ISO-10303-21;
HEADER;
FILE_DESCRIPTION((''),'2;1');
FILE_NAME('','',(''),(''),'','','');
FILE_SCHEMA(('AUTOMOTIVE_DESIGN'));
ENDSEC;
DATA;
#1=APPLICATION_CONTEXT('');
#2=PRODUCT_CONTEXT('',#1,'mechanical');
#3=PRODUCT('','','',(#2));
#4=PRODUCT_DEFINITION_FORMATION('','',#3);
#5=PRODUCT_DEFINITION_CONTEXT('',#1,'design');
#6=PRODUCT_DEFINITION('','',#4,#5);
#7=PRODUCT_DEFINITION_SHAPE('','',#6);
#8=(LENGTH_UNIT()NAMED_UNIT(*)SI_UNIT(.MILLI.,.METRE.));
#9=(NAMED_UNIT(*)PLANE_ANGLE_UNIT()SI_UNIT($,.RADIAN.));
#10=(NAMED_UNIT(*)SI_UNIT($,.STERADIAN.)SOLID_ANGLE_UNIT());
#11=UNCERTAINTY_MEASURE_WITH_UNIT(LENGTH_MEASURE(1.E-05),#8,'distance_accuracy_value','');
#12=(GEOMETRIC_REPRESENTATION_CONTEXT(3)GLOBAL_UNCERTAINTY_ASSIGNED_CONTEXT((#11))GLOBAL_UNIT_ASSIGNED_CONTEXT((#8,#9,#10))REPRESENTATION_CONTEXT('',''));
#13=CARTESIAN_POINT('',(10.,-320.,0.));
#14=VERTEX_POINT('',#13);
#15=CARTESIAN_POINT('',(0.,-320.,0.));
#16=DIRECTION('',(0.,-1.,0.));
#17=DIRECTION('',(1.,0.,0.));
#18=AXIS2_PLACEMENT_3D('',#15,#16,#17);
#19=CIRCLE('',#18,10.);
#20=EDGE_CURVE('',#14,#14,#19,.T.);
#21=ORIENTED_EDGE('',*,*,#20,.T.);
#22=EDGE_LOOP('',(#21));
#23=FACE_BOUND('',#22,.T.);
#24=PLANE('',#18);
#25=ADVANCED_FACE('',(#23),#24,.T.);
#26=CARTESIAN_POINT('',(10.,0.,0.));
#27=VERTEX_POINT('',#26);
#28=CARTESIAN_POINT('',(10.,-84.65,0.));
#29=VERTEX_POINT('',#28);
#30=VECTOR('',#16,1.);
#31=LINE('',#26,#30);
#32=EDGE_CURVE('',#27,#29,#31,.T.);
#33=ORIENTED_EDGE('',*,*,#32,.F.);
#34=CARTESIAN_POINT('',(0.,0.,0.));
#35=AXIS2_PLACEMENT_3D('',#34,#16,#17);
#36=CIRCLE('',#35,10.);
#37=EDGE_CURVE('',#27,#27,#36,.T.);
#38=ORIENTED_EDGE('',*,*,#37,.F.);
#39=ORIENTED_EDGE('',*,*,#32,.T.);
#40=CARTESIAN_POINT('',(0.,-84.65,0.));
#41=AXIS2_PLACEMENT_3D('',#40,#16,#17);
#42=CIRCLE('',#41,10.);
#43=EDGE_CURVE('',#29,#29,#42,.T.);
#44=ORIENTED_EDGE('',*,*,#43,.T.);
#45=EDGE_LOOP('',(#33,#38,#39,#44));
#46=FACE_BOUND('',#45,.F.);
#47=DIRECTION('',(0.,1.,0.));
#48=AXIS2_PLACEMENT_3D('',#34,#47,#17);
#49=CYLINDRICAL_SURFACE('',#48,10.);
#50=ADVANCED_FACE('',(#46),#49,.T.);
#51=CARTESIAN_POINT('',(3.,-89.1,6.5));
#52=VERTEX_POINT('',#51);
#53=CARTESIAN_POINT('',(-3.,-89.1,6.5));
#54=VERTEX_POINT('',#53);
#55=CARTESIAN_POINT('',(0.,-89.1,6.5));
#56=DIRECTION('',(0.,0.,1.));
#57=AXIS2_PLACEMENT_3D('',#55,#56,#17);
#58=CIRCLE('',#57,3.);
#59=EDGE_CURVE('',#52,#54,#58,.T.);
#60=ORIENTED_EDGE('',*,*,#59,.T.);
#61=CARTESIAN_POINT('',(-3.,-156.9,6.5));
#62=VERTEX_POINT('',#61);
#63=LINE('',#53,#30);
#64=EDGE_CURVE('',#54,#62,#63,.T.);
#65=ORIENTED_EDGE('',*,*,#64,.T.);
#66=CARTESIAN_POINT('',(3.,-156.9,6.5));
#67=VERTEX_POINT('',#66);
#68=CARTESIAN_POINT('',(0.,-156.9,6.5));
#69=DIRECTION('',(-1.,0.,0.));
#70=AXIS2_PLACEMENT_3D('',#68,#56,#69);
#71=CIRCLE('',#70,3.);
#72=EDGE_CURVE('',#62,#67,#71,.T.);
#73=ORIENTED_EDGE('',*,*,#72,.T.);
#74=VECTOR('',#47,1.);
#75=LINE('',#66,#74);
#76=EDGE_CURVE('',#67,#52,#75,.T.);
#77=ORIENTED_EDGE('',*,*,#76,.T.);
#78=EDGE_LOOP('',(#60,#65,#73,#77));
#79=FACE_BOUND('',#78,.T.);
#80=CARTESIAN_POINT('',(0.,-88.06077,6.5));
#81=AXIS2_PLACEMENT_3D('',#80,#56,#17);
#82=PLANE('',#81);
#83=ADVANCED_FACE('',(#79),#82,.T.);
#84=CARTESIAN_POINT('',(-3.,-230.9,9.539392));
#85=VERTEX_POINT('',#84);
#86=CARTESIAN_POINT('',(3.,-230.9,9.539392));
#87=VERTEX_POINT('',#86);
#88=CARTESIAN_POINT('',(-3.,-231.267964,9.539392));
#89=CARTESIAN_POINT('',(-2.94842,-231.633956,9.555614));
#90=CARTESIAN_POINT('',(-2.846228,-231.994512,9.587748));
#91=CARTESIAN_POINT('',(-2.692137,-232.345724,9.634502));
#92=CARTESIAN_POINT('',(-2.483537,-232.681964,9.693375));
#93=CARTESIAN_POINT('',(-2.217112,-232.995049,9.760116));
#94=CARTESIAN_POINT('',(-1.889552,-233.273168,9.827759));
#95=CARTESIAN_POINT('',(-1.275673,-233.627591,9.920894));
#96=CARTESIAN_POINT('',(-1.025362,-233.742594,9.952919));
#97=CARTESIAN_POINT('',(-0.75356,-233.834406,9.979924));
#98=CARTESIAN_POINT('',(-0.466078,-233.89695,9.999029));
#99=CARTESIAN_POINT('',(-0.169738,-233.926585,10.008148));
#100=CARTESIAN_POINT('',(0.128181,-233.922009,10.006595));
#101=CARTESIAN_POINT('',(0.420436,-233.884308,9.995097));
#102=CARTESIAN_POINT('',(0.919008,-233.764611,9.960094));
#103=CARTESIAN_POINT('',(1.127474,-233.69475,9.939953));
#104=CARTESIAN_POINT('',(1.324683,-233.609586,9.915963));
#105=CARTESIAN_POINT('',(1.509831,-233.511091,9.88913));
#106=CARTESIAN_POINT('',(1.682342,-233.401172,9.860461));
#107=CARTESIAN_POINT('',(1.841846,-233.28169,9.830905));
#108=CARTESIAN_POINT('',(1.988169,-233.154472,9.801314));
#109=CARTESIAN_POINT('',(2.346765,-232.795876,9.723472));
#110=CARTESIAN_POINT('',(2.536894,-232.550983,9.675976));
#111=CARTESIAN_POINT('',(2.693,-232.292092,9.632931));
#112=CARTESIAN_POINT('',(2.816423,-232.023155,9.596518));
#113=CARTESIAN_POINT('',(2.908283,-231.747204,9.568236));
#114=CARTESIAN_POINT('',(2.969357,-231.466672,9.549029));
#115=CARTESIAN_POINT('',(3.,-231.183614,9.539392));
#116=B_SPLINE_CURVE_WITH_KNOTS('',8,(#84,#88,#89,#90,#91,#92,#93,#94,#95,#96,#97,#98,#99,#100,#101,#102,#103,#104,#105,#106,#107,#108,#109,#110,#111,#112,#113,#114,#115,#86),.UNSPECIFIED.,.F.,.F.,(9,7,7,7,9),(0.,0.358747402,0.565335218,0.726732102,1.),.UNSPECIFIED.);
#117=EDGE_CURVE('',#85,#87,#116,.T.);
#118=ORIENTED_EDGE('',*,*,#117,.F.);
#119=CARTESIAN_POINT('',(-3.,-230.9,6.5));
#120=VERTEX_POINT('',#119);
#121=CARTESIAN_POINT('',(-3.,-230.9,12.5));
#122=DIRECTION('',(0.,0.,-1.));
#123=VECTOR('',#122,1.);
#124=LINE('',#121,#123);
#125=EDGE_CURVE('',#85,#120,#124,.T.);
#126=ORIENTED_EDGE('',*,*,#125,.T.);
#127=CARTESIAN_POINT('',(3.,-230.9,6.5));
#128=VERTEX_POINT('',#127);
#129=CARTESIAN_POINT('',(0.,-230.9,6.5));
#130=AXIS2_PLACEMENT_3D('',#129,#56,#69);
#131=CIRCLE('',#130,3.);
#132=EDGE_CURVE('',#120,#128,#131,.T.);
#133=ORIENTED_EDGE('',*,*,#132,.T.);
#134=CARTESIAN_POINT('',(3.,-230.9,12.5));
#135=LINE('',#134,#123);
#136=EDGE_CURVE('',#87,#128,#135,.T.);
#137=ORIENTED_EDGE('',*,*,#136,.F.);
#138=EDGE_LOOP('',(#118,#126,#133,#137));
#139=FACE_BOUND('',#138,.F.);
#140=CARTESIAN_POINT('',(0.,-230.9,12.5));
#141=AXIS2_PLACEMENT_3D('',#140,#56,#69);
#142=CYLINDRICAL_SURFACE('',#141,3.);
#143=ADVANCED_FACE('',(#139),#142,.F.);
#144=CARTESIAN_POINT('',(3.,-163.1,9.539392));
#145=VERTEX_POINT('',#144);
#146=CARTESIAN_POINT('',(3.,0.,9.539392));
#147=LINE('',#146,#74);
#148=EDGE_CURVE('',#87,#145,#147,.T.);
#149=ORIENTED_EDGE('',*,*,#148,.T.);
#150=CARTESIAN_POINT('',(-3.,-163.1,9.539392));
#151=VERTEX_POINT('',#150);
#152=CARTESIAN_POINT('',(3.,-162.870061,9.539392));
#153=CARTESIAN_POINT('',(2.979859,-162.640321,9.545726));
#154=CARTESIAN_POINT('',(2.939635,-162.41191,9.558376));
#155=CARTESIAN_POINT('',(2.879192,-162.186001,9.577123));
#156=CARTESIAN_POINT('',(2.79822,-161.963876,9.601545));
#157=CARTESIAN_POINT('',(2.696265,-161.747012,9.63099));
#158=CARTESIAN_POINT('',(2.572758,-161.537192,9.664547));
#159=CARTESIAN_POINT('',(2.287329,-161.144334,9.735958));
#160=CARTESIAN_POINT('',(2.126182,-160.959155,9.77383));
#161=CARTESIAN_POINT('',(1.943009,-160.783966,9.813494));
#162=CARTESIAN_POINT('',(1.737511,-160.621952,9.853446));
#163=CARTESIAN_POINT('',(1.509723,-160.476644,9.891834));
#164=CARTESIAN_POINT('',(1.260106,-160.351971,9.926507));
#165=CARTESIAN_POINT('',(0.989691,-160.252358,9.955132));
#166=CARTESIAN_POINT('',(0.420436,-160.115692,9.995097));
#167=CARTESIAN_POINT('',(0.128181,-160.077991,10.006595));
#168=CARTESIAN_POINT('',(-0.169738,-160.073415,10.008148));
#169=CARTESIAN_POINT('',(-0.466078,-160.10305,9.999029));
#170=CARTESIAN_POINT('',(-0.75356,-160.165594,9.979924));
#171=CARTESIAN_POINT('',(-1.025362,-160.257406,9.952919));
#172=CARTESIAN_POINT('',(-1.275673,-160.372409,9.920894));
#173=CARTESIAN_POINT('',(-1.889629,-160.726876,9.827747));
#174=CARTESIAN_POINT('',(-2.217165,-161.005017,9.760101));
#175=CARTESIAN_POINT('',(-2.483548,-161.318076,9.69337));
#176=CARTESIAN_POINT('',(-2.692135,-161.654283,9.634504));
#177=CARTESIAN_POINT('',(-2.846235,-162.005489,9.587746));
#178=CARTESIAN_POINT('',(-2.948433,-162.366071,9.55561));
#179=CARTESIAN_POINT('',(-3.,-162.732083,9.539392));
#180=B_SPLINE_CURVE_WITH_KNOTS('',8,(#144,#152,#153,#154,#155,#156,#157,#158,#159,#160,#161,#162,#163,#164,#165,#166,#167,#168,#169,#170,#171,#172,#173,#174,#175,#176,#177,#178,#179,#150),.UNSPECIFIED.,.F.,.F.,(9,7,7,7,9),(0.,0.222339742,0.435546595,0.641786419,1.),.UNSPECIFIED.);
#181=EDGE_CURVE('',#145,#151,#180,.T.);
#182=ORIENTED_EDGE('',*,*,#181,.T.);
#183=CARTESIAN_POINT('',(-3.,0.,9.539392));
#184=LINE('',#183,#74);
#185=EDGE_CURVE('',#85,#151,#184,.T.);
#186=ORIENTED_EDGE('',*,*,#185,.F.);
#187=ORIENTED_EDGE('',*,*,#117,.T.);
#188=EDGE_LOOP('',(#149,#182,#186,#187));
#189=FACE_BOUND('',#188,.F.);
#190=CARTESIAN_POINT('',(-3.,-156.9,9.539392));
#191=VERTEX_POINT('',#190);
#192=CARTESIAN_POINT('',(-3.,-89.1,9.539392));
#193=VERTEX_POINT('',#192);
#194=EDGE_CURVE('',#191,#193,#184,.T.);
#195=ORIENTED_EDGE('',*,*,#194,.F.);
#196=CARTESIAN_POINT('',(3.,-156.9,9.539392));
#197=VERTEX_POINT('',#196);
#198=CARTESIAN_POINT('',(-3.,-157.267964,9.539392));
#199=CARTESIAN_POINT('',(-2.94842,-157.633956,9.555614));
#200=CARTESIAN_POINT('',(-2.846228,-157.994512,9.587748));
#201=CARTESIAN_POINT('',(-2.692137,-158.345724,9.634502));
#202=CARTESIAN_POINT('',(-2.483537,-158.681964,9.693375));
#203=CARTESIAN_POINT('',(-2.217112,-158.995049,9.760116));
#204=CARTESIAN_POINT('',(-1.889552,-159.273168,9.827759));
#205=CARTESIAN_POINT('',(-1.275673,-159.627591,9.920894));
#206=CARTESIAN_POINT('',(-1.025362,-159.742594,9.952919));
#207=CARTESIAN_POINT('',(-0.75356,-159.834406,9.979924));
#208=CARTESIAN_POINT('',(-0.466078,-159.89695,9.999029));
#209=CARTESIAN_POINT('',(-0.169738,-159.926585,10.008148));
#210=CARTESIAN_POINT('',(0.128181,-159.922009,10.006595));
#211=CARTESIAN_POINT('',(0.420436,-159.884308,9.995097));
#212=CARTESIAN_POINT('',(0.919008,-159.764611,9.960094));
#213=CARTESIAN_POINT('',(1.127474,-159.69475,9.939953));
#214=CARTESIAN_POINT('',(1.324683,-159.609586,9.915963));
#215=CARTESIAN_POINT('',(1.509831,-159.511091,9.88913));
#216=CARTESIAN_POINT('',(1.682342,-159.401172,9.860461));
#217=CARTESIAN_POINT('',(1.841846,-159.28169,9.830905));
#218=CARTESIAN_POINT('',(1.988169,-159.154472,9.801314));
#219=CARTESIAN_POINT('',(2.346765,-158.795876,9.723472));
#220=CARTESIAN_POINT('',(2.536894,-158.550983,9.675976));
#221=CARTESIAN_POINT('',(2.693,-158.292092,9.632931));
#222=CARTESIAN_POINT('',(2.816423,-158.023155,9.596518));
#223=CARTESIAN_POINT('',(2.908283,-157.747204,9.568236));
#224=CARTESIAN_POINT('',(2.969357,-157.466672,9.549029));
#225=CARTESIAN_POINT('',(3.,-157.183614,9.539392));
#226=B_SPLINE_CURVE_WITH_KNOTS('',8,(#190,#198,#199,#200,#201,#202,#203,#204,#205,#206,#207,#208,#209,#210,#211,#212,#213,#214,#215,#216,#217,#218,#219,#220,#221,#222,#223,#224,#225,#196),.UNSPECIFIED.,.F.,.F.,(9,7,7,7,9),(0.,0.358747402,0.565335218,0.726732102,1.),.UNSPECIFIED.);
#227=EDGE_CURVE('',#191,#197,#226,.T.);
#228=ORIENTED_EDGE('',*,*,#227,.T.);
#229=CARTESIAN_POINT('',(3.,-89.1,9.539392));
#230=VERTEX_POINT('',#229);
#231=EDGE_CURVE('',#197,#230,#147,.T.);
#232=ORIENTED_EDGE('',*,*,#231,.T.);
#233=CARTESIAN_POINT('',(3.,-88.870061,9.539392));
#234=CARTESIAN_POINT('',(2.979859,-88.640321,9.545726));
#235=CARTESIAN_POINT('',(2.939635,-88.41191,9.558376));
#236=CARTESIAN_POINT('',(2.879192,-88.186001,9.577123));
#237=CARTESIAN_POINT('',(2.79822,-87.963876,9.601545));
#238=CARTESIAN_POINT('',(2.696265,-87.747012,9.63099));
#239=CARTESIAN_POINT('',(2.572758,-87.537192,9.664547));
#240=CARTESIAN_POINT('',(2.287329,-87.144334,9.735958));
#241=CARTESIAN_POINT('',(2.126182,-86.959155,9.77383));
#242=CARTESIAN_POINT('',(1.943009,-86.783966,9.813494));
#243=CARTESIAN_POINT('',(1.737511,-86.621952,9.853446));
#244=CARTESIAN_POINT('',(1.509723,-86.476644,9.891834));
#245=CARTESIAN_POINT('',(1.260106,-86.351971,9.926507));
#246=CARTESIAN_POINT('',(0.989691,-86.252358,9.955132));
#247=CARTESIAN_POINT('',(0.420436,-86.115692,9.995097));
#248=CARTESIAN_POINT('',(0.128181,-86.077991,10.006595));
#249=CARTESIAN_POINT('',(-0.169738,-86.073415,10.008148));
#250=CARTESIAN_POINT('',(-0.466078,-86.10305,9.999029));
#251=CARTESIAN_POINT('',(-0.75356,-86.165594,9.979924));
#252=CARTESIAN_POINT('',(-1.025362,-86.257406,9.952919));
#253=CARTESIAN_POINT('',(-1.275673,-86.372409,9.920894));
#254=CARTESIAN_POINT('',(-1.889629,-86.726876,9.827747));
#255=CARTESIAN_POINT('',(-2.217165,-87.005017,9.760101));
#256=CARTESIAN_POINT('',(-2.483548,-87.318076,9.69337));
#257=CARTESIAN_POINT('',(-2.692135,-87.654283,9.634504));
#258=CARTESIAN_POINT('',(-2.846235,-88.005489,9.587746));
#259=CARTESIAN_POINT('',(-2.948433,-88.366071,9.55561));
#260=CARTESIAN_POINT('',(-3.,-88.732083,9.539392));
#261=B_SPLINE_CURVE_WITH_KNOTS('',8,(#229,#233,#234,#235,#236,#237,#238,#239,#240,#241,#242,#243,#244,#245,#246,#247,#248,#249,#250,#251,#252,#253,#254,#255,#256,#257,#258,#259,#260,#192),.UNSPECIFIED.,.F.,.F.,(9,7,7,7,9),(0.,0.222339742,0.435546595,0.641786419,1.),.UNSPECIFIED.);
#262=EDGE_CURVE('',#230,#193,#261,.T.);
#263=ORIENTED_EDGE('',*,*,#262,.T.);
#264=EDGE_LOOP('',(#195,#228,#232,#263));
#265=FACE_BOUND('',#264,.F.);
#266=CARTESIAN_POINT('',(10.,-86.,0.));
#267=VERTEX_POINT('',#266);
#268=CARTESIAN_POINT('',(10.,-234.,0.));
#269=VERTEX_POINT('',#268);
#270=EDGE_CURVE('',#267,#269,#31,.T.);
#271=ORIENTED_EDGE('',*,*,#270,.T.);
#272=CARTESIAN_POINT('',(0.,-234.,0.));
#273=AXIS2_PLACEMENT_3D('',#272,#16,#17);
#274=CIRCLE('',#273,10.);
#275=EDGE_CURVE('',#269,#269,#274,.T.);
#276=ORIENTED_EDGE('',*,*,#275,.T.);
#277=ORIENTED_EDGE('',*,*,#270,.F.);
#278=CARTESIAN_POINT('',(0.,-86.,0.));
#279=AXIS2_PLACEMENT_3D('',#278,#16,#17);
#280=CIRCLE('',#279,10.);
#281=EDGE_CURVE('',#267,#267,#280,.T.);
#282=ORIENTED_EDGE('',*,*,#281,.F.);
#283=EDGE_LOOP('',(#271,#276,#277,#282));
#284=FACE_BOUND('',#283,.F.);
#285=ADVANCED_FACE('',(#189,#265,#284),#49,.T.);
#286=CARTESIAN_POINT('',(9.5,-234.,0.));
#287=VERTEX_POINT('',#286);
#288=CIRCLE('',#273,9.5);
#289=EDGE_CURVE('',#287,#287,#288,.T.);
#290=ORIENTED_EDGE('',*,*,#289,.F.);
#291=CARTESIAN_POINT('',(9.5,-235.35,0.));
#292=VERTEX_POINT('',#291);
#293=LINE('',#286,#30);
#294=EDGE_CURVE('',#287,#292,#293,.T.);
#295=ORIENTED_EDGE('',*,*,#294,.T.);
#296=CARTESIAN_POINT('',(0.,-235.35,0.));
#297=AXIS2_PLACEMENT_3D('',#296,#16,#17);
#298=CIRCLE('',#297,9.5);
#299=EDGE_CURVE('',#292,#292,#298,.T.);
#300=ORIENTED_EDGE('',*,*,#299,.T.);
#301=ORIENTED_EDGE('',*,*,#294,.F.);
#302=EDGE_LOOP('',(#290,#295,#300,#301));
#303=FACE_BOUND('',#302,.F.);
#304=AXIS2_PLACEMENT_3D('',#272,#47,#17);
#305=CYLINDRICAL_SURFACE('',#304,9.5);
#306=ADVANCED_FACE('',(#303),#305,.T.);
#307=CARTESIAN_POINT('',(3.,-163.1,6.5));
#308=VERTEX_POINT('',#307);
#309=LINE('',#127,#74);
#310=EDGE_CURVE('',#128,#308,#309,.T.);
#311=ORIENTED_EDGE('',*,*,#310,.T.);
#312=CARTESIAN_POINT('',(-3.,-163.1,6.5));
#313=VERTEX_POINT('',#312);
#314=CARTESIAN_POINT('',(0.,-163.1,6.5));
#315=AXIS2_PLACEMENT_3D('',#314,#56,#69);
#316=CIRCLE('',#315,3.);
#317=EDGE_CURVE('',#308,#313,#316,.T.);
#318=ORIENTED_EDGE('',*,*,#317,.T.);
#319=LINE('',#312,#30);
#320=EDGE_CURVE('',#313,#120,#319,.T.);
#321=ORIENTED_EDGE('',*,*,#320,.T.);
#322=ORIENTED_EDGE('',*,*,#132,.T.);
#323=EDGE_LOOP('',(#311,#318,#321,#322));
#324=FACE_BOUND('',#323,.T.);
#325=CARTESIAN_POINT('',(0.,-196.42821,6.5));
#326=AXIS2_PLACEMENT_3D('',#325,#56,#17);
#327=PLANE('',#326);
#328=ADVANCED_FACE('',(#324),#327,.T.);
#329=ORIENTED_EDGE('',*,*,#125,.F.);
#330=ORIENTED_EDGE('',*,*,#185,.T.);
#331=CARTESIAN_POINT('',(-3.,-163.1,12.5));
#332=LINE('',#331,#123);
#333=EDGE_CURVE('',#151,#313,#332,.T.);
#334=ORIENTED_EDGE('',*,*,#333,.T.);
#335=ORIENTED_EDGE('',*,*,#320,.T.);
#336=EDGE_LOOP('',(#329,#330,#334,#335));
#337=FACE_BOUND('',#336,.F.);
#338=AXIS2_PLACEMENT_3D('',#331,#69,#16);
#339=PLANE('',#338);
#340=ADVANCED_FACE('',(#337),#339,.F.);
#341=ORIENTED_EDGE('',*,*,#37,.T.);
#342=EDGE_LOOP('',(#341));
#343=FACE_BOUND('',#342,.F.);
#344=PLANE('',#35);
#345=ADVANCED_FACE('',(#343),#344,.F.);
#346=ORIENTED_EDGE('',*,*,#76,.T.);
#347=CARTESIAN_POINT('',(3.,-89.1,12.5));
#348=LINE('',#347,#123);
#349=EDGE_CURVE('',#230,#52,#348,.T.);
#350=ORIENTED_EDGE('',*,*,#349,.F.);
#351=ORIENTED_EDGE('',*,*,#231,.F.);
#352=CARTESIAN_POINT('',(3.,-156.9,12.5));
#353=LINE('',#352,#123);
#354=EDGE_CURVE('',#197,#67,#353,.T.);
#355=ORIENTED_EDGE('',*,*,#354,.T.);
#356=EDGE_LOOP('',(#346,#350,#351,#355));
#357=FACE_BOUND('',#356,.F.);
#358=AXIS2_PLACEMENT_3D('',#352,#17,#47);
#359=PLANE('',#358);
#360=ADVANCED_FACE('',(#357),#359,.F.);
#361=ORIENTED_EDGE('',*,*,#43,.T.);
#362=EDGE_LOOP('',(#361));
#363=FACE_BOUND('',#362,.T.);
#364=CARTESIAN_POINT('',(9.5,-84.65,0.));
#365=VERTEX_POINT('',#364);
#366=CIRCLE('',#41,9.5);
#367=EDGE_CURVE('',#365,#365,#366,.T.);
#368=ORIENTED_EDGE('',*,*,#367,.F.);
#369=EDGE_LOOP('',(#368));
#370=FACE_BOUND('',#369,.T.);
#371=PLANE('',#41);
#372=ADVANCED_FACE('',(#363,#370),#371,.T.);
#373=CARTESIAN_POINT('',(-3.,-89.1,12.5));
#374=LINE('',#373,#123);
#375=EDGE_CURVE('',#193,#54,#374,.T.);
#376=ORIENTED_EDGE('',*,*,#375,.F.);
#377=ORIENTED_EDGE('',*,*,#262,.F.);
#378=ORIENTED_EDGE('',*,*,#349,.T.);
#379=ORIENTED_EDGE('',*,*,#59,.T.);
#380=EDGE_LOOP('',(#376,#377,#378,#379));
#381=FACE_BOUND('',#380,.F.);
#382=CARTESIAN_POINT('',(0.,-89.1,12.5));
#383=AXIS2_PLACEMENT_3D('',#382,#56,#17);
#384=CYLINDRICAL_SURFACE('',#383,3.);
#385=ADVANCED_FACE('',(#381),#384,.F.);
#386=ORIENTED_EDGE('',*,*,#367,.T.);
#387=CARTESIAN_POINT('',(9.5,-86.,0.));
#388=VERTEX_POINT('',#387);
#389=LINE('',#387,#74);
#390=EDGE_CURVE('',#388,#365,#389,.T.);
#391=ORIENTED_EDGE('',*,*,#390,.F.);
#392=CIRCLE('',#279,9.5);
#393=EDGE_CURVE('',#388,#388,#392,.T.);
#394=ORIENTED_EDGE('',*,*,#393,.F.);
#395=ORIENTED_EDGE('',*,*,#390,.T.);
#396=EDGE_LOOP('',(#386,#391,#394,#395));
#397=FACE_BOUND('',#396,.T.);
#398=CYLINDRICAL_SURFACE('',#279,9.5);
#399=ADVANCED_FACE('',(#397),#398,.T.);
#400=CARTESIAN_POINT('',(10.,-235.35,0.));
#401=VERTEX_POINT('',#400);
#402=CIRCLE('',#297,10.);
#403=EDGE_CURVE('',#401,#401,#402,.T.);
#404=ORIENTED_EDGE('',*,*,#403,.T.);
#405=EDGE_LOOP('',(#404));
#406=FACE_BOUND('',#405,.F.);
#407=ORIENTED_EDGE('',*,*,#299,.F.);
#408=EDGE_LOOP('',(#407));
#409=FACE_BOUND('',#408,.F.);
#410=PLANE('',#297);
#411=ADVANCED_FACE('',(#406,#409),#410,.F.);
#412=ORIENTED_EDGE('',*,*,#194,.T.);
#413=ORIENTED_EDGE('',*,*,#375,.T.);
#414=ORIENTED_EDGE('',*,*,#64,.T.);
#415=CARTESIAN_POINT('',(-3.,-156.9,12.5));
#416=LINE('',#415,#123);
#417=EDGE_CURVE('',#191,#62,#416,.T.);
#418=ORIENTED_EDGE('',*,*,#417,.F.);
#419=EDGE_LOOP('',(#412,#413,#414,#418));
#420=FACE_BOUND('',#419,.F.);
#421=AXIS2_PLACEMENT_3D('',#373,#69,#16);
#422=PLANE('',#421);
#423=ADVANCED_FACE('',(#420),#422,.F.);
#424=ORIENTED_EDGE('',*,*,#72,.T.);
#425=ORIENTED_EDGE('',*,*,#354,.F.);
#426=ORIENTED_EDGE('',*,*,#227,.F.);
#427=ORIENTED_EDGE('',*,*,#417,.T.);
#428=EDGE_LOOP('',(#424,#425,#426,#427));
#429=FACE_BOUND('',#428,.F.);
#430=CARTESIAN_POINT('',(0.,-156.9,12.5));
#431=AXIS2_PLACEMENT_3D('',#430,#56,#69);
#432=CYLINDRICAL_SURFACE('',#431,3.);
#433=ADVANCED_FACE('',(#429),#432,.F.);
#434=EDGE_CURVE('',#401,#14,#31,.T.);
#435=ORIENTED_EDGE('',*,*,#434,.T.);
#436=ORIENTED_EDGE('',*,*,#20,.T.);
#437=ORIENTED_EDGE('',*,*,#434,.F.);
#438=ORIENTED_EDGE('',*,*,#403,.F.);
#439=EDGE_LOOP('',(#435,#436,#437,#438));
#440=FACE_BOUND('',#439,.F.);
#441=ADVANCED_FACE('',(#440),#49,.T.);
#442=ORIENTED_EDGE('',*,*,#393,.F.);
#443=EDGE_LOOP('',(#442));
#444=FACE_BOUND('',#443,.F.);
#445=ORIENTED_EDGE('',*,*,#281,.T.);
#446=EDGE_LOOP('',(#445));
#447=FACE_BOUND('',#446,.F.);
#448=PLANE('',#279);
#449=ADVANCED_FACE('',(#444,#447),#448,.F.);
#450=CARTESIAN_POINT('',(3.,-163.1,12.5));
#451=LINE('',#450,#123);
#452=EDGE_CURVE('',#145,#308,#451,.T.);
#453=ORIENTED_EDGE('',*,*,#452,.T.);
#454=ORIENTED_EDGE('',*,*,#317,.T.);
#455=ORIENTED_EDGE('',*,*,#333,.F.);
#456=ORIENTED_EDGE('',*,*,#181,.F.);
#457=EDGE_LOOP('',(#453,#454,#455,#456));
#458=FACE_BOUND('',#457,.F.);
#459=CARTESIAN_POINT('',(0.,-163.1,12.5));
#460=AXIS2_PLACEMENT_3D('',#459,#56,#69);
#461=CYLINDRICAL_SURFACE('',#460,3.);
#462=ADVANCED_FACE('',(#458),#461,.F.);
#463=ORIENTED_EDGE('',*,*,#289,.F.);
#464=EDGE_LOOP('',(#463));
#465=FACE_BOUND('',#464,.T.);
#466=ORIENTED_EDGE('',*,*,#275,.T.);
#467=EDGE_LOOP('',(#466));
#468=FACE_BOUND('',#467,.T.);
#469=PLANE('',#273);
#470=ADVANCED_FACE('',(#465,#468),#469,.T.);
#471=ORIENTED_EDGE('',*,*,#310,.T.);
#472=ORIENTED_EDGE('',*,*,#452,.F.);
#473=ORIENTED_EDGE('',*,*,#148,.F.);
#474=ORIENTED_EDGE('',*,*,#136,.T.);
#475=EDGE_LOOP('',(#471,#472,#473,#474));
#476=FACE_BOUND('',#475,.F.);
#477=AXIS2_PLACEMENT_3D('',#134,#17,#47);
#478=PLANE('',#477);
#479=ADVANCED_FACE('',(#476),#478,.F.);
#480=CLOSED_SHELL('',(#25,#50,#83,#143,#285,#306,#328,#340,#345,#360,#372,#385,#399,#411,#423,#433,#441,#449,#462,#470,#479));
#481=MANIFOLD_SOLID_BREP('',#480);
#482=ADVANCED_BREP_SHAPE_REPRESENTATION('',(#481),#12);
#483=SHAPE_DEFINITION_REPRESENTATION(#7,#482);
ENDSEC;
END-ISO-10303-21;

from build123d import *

# Parameters (mm, degrees)
F0_R      = 10
F1_DEPTH  = 320
F4_DEPTH  = 6
F6_R      = 10
F6_R_2    = 9.5
F7_DEPTH  = 1.35
F9_R      = 10
F9_R_2    = 9.5
F10_DEPTH = 1.35


with BuildPart() as f1:
    # F0 (on Front) → F1 (new body)
    with BuildSketch(Plane.XZ):
        Circle(F0_R)
    extrude(amount=F1_DEPTH)

    # F3 (on offset) → F4 (cut)
    with BuildSketch(Plane.XY.offset(12.5)):
        with BuildLine():
            Line((-3, -163.1), (-3, -230.9))
            Line((-3, -230.9), (3, -230.9))
            Line((3, -230.9), (3, -163.1))
            ThreePointArc((3, -163.1), (0, -166.1), (-3, -163.1))
        make_face()
        with BuildLine():
            ThreePointArc((3, -89.1), (0, -86.1), (-3, -89.1))
            Line((-3, -89.1), (3, -89.1))
        make_face()
        with BuildLine():
            Line((3, -230.9), (-3, -230.9))
            ThreePointArc((-3, -230.9), (0, -233.9), (3, -230.9))
        make_face()
        with BuildLine():
            Line((-3, -89.1), (-3, -156.9))
            ThreePointArc((-3, -156.9), (0, -153.9), (3, -156.9))
            Line((3, -156.9), (3, -89.1))
            Line((3, -89.1), (-3, -89.1))
        make_face()
        with BuildLine():
            ThreePointArc((3, -156.9), (0, -153.9), (-3, -156.9))
            ThreePointArc((-3, -156.9), (0, -159.9), (3, -156.9))
        make_face()
        with BuildLine():
            ThreePointArc((3, -163.1), (0, -160.1), (-3, -163.1))
            ThreePointArc((-3, -163.1), (0, -166.1), (3, -163.1))
        make_face()
    extrude(amount=-F4_DEPTH, mode=Mode.SUBTRACT)

    # F6 (on offset) → F7 (cut)
    with BuildSketch(Plane.XZ.offset(86)):
        Circle(F6_R)
        Circle(F6_R_2, mode=Mode.SUBTRACT)
    extrude(amount=-F7_DEPTH, mode=Mode.SUBTRACT)

    # F9 (on offset) → F10 (cut)
    with BuildSketch(Plane.XZ.offset(234)):
        Circle(F9_R)
        Circle(F9_R_2, mode=Mode.SUBTRACT)
    extrude(amount=F10_DEPTH, mode=Mode.SUBTRACT)


solid = f1.part
